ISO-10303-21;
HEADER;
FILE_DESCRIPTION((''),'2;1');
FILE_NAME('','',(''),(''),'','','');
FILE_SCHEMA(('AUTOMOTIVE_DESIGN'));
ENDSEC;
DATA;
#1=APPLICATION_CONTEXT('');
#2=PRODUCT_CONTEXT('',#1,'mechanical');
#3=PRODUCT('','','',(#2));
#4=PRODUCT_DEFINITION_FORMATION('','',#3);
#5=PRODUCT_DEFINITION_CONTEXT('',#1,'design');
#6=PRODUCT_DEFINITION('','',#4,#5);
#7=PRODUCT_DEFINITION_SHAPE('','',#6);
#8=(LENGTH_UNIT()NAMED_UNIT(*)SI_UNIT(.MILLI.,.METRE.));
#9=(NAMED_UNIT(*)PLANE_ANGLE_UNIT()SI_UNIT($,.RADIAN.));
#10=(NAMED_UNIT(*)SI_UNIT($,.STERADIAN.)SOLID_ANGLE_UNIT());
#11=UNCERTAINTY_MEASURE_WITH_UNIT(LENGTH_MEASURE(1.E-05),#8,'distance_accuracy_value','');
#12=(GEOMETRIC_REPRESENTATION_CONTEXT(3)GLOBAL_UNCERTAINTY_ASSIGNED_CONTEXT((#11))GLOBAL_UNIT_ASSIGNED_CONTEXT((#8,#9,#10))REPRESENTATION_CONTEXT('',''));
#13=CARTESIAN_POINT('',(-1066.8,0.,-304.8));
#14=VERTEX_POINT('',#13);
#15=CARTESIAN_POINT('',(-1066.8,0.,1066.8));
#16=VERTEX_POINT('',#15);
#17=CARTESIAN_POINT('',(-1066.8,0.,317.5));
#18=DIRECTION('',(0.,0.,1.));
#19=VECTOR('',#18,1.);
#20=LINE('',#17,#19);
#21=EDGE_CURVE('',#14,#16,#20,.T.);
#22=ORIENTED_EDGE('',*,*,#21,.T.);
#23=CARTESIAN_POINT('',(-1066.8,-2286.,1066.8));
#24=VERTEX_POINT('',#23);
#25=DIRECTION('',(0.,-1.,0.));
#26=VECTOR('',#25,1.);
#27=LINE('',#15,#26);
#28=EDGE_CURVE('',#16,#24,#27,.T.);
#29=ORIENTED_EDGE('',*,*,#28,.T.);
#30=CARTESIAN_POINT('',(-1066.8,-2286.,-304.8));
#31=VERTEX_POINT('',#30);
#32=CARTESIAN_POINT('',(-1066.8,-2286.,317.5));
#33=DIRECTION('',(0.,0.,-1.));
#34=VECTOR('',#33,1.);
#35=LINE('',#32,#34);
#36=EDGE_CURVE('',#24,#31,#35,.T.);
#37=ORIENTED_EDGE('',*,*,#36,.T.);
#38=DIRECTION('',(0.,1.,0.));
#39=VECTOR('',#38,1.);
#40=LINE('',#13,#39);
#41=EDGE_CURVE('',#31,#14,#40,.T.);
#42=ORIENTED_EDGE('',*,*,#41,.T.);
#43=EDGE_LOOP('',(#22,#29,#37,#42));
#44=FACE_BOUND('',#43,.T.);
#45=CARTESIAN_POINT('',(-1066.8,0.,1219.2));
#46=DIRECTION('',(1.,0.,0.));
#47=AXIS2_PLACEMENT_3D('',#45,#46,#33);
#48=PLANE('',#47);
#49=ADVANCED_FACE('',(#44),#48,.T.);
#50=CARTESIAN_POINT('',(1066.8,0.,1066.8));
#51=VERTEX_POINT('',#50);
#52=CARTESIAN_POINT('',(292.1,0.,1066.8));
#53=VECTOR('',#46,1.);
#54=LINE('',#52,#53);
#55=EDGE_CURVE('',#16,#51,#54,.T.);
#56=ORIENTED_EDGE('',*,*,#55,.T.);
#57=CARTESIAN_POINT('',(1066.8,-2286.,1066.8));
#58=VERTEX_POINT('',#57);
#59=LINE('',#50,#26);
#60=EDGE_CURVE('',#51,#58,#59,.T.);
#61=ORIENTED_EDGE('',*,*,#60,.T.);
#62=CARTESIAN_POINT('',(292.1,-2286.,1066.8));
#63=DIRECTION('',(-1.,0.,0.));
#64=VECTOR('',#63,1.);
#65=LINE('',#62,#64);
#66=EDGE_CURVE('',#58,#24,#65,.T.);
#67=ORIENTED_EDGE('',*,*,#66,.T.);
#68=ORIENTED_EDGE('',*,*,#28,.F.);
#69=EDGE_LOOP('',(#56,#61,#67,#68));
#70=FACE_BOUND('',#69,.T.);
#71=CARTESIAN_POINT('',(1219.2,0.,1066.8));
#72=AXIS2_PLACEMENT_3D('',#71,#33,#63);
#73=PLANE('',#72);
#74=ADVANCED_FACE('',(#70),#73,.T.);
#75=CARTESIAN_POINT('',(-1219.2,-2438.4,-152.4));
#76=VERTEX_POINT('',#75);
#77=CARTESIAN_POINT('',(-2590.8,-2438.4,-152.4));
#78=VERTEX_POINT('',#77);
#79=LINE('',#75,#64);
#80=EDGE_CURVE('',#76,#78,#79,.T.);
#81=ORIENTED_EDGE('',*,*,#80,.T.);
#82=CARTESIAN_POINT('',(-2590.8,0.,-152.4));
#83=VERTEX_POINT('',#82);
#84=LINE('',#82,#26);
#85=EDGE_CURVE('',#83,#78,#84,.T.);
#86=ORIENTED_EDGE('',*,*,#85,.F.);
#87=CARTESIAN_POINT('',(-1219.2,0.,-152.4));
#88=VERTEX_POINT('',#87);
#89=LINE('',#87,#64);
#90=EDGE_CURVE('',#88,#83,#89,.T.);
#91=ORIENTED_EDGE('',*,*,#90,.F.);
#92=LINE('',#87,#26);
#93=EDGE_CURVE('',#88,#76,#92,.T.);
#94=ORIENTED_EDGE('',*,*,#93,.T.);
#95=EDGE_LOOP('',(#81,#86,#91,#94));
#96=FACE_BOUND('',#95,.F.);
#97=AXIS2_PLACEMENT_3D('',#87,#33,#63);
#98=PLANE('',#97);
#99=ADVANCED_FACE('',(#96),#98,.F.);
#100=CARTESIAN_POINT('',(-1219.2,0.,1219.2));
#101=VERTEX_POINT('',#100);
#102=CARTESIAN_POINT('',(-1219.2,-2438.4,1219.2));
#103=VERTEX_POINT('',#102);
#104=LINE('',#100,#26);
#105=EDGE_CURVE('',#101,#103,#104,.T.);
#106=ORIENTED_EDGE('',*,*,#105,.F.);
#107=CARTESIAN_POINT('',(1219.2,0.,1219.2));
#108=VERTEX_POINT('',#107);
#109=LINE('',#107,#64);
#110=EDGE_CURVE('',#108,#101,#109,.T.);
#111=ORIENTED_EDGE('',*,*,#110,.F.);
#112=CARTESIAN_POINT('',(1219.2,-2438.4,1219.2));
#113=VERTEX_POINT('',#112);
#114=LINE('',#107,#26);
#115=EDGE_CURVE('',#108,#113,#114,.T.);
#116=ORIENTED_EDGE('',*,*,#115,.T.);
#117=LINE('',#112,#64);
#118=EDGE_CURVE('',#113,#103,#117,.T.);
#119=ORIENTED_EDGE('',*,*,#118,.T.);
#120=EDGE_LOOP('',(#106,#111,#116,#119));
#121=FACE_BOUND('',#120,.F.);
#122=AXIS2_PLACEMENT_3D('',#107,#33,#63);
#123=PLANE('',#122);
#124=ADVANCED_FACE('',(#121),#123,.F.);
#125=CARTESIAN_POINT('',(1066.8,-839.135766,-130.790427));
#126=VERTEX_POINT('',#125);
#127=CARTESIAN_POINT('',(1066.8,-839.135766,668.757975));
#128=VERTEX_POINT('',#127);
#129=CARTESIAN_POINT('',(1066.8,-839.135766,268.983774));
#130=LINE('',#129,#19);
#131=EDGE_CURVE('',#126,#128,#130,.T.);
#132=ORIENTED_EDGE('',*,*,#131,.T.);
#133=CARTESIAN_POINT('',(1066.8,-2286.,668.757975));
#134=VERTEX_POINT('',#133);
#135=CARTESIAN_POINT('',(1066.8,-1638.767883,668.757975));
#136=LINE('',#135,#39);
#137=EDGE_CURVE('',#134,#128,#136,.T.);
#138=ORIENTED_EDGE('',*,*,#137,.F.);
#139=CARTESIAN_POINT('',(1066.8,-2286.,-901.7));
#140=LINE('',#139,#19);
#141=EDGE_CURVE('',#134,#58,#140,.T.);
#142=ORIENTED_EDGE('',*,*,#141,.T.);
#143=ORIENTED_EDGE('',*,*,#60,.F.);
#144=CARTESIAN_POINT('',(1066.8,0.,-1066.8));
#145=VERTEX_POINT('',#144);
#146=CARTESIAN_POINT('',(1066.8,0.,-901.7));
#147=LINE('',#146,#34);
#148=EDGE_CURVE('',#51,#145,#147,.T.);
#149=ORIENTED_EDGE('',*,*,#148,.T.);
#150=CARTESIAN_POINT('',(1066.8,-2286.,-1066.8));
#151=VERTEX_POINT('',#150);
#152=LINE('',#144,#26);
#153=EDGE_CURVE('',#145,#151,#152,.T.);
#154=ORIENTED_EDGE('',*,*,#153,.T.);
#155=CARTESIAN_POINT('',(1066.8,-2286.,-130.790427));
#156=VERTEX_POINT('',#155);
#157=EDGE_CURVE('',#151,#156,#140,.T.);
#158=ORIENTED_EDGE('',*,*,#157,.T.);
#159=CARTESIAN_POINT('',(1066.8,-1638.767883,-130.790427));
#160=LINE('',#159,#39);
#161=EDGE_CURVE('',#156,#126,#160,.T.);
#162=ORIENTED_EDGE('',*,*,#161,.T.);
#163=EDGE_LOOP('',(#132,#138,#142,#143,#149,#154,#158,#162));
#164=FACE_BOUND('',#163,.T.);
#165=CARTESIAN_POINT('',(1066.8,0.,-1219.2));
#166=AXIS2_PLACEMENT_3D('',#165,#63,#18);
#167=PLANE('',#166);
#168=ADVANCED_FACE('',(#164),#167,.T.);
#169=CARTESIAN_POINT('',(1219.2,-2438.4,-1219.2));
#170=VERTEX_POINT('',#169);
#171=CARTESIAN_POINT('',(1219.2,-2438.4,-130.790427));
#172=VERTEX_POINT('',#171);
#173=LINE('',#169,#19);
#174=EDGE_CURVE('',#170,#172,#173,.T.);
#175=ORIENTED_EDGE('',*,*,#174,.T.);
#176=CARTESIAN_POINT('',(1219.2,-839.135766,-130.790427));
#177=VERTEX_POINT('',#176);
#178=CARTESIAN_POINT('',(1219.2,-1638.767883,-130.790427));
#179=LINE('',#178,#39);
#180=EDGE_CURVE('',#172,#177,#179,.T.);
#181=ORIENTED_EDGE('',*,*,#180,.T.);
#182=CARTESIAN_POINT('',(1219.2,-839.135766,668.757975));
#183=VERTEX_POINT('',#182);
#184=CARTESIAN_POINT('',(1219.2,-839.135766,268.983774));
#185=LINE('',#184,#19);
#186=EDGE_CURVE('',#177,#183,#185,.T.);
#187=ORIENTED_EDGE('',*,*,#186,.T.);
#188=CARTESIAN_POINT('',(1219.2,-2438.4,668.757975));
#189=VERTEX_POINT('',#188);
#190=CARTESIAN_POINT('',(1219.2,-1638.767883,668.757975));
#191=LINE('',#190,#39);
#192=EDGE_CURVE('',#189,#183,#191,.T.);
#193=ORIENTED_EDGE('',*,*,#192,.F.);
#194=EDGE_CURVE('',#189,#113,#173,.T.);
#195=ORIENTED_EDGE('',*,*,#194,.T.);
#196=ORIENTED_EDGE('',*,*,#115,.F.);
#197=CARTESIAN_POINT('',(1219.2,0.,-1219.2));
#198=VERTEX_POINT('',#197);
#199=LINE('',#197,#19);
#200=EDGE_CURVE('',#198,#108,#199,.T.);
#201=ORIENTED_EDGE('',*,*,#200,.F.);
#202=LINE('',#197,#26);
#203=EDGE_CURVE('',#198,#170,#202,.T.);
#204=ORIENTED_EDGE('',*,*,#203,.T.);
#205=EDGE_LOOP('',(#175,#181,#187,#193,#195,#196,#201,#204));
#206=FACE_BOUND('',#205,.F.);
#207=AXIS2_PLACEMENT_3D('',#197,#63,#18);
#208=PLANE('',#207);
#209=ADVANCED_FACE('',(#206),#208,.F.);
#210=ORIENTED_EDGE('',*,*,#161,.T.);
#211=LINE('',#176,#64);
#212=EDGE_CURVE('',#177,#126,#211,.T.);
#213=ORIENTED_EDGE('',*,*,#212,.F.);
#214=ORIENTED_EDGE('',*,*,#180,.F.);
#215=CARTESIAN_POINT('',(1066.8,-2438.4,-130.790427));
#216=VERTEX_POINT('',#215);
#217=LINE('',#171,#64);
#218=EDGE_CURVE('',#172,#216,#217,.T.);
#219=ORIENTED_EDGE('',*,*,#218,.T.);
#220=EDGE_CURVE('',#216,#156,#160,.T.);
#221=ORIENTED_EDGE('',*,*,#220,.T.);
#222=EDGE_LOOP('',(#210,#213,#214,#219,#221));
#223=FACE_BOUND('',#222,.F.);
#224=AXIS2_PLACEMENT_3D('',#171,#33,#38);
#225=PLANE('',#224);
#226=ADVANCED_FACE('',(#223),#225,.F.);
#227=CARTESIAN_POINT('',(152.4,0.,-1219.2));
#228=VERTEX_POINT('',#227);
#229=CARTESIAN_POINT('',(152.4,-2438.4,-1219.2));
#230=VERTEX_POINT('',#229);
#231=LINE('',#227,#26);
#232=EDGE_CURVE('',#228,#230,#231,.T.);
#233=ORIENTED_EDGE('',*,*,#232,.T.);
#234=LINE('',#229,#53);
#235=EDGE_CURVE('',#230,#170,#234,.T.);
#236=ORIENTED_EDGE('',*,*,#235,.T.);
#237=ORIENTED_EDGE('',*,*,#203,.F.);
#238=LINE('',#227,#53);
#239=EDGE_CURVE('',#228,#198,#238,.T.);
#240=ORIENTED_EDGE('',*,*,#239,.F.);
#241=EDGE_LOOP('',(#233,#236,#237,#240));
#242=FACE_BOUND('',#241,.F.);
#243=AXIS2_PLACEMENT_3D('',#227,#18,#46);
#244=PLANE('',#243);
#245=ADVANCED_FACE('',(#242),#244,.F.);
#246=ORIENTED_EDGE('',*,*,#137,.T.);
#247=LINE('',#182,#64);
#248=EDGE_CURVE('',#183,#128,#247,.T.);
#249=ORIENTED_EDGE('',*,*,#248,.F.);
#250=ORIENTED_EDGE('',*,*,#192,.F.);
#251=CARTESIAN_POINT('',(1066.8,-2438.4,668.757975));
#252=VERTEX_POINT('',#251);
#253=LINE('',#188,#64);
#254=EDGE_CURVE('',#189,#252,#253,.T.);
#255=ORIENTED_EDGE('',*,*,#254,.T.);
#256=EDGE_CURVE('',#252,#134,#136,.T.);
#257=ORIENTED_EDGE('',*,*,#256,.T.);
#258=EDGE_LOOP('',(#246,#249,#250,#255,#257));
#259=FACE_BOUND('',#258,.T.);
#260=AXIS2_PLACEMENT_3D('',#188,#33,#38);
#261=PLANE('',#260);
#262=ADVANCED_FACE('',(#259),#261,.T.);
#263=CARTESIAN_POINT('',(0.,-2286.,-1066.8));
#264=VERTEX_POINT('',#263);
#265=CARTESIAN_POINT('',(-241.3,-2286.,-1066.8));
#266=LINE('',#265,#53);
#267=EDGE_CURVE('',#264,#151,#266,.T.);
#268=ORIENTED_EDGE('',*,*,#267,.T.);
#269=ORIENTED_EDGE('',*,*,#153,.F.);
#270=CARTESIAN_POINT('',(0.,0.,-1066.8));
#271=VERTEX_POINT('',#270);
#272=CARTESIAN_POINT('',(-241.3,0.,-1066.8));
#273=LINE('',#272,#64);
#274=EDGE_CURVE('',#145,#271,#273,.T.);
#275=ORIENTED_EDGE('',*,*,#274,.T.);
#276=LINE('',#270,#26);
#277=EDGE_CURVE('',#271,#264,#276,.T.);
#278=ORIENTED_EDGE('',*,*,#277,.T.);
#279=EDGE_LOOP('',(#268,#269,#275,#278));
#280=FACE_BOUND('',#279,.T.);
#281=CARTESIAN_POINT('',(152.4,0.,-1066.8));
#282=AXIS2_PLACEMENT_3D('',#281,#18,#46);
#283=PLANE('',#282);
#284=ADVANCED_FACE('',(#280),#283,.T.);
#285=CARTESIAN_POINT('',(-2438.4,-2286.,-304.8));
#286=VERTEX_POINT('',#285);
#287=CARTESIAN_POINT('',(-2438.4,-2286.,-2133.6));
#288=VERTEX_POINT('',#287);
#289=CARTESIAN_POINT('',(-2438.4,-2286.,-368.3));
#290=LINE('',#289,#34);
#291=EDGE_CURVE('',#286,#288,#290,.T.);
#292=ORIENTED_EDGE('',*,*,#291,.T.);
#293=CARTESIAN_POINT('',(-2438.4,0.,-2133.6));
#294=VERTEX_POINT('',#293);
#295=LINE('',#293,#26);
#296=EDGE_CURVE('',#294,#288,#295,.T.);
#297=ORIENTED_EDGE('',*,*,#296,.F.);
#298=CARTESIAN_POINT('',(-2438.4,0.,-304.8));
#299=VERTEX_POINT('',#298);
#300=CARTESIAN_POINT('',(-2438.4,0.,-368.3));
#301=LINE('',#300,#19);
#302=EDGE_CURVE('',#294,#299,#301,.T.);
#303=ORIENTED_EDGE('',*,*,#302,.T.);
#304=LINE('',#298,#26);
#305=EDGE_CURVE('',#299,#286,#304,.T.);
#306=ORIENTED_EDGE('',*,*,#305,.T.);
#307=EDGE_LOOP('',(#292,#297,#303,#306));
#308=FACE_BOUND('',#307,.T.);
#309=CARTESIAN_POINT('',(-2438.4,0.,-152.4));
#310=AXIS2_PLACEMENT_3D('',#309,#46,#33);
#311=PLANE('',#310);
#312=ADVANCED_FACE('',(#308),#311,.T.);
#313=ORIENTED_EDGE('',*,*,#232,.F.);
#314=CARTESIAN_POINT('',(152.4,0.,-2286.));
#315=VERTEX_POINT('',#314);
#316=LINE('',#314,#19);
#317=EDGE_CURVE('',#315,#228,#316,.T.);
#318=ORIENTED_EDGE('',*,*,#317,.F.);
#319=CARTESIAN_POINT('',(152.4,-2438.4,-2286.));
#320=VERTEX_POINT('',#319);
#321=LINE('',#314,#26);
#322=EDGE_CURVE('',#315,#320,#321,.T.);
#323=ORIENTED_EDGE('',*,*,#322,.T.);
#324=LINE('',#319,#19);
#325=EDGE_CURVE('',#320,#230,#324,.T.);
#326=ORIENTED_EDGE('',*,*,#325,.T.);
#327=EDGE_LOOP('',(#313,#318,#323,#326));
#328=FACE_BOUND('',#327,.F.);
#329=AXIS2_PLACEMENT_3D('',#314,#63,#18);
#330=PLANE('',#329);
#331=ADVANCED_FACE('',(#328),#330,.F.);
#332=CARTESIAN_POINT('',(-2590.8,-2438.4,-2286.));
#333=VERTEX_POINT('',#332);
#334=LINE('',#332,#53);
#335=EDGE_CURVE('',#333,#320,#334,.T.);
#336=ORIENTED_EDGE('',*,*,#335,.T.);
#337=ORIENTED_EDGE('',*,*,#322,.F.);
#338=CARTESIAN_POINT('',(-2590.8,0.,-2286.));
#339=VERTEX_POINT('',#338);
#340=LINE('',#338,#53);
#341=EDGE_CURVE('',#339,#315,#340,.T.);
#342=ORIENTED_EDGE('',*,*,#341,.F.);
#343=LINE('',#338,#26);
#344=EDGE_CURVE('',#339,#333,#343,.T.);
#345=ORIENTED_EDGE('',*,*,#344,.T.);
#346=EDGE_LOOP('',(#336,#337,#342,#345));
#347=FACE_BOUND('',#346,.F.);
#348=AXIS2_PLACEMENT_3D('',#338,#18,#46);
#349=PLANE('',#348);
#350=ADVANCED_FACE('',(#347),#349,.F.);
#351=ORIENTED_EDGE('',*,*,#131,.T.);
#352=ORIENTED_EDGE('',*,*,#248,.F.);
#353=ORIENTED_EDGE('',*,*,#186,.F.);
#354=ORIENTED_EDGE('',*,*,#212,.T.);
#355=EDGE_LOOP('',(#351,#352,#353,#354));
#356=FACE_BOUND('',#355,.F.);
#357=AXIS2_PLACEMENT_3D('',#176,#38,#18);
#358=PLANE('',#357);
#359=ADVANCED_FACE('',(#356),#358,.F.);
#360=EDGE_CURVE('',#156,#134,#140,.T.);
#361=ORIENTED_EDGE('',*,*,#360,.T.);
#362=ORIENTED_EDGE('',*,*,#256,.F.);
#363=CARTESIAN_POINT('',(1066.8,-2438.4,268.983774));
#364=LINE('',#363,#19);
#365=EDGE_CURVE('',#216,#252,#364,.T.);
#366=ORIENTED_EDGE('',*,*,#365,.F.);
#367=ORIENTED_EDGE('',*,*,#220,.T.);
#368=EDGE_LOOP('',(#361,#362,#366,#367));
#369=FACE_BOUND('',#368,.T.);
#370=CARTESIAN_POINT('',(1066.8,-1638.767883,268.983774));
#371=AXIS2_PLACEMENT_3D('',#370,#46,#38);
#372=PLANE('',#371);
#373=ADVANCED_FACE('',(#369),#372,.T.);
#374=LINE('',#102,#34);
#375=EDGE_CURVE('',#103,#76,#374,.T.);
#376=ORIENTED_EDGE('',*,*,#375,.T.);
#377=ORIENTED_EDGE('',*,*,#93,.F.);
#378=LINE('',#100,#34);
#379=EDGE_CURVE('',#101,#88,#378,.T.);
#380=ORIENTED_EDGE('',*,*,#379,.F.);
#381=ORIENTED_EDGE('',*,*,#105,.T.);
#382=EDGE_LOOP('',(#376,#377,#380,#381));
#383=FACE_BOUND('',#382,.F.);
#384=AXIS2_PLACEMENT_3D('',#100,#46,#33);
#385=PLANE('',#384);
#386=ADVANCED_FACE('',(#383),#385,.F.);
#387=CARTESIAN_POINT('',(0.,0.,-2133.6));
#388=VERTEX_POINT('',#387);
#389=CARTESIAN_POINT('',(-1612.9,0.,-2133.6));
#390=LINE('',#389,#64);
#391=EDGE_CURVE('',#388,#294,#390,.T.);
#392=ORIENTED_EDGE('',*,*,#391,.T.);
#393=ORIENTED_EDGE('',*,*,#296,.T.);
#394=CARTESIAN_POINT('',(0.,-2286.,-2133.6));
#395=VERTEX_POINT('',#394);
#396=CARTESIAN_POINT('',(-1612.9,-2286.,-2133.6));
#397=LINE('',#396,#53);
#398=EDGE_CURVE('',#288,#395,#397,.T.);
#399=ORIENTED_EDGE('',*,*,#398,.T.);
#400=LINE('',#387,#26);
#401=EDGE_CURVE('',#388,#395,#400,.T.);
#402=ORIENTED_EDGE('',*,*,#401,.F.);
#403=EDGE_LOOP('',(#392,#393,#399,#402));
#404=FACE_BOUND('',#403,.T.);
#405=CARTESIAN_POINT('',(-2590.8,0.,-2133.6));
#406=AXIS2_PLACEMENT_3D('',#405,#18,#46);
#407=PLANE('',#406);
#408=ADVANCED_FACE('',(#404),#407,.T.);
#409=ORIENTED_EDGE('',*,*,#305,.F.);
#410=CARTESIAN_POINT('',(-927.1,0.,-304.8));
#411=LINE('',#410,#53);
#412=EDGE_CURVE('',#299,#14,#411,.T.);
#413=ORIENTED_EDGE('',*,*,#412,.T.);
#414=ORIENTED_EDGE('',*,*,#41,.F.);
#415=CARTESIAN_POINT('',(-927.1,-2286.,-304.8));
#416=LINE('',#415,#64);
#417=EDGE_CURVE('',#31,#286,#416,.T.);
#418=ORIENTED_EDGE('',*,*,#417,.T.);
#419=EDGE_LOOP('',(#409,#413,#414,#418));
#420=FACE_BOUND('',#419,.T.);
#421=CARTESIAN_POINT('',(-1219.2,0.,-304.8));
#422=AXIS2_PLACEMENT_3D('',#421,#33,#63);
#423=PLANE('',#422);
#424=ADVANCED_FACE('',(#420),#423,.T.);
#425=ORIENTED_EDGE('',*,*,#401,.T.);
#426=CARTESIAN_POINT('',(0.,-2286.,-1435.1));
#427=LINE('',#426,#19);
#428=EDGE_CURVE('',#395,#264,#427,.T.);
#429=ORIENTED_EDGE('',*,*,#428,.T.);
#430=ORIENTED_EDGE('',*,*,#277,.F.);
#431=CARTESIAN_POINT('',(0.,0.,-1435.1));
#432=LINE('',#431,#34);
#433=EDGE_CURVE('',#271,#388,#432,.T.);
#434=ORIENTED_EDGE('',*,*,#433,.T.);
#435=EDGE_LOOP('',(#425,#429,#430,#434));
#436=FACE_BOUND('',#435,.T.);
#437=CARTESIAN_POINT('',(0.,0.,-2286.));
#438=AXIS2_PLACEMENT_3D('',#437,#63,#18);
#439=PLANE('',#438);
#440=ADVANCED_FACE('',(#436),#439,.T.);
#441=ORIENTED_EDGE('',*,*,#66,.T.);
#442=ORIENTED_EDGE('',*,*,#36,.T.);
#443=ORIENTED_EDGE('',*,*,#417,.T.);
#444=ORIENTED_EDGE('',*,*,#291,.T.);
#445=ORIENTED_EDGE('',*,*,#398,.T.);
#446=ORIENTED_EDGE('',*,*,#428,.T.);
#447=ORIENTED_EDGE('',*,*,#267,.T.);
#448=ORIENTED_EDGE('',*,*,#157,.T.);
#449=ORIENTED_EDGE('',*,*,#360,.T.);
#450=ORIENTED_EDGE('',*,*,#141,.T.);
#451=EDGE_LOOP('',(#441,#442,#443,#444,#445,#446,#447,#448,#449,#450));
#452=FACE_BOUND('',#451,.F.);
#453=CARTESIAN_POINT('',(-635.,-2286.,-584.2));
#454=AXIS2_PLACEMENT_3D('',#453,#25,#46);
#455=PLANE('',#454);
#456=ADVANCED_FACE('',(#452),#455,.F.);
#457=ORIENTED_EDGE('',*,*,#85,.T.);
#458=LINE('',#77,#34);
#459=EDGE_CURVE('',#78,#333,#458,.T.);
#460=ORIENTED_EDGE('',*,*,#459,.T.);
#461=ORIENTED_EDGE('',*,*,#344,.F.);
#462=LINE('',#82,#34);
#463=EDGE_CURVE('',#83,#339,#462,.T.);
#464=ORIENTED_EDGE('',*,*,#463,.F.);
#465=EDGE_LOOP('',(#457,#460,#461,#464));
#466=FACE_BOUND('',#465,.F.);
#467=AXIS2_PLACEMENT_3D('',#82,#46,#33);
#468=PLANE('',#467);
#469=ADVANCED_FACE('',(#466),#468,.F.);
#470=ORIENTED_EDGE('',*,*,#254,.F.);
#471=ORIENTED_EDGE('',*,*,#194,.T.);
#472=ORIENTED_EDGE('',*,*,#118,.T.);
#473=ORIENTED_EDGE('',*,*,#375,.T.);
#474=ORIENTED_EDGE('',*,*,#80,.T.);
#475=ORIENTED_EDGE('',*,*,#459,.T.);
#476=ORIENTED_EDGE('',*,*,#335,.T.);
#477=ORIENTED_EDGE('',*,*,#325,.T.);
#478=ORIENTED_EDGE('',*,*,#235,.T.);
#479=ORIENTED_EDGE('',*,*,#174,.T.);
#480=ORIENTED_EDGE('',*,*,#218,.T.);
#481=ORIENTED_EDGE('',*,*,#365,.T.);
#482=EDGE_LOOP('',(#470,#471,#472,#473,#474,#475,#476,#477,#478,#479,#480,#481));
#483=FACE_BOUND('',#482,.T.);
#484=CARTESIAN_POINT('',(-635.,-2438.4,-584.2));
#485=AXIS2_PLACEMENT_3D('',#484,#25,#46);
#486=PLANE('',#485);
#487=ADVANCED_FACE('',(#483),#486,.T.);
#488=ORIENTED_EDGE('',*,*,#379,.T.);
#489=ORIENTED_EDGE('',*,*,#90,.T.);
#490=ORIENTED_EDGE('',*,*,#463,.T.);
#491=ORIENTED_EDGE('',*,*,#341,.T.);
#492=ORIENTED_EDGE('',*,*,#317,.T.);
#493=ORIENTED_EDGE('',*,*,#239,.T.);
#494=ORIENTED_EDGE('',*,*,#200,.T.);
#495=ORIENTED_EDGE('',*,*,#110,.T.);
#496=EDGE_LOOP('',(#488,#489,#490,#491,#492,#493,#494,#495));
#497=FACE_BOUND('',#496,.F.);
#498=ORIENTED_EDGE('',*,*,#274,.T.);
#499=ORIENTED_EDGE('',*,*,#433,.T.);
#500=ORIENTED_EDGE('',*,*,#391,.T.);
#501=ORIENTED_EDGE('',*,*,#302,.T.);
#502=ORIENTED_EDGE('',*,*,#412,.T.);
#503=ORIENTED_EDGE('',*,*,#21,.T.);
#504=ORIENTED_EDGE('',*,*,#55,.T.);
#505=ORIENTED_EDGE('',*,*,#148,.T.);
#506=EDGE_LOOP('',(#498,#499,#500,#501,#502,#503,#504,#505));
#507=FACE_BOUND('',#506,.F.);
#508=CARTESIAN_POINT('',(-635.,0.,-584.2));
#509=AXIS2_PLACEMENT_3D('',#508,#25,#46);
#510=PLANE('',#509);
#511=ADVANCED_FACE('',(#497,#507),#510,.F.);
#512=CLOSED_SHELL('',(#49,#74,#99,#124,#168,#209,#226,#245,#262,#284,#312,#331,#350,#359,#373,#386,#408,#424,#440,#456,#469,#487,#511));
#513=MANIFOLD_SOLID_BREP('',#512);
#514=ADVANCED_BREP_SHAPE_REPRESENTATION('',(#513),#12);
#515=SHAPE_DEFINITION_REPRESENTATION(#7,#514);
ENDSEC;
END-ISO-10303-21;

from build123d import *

# Parameters (mm, degrees)
F1_DEPTH = 2438.4
F2_T     = -152.4
F3_W     = 1599.2642339706
F3_H     = 799.5484024286
F4_DEPTH = 152.4


with BuildPart() as f1:
    # F0 (on Front) → F1 (new body)
    with BuildSketch(Plane.XZ):
        Polygon((152.4, -1219.2), (1219.2, -1219.2), (1219.2, 1219.2), (-1219.2, 1219.2), (-1219.2, -152.4), (-2590.8, -152.4), (-2590.8, -2286), (152.4, -2286), align=None)
    extrude(amount=F1_DEPTH)

    # F2
    f2_openings = [f1.faces().sort_by_distance(p)[0] for p in [
        (-614.908315, 0, -593.332584),
    ]]
    offset(amount=F2_T, openings=f2_openings, kind=Kind.INTERSECTION)

    # F3 (on face) → F4 (cut)
    with BuildSketch(Plane.YZ.offset(1219.2)):
        with Locations((-1638.7678830147, 268.9837738872)):
            Rectangle(F3_W, F3_H)
    extrude(amount=-F4_DEPTH, mode=Mode.SUBTRACT)


solid = f1.part
